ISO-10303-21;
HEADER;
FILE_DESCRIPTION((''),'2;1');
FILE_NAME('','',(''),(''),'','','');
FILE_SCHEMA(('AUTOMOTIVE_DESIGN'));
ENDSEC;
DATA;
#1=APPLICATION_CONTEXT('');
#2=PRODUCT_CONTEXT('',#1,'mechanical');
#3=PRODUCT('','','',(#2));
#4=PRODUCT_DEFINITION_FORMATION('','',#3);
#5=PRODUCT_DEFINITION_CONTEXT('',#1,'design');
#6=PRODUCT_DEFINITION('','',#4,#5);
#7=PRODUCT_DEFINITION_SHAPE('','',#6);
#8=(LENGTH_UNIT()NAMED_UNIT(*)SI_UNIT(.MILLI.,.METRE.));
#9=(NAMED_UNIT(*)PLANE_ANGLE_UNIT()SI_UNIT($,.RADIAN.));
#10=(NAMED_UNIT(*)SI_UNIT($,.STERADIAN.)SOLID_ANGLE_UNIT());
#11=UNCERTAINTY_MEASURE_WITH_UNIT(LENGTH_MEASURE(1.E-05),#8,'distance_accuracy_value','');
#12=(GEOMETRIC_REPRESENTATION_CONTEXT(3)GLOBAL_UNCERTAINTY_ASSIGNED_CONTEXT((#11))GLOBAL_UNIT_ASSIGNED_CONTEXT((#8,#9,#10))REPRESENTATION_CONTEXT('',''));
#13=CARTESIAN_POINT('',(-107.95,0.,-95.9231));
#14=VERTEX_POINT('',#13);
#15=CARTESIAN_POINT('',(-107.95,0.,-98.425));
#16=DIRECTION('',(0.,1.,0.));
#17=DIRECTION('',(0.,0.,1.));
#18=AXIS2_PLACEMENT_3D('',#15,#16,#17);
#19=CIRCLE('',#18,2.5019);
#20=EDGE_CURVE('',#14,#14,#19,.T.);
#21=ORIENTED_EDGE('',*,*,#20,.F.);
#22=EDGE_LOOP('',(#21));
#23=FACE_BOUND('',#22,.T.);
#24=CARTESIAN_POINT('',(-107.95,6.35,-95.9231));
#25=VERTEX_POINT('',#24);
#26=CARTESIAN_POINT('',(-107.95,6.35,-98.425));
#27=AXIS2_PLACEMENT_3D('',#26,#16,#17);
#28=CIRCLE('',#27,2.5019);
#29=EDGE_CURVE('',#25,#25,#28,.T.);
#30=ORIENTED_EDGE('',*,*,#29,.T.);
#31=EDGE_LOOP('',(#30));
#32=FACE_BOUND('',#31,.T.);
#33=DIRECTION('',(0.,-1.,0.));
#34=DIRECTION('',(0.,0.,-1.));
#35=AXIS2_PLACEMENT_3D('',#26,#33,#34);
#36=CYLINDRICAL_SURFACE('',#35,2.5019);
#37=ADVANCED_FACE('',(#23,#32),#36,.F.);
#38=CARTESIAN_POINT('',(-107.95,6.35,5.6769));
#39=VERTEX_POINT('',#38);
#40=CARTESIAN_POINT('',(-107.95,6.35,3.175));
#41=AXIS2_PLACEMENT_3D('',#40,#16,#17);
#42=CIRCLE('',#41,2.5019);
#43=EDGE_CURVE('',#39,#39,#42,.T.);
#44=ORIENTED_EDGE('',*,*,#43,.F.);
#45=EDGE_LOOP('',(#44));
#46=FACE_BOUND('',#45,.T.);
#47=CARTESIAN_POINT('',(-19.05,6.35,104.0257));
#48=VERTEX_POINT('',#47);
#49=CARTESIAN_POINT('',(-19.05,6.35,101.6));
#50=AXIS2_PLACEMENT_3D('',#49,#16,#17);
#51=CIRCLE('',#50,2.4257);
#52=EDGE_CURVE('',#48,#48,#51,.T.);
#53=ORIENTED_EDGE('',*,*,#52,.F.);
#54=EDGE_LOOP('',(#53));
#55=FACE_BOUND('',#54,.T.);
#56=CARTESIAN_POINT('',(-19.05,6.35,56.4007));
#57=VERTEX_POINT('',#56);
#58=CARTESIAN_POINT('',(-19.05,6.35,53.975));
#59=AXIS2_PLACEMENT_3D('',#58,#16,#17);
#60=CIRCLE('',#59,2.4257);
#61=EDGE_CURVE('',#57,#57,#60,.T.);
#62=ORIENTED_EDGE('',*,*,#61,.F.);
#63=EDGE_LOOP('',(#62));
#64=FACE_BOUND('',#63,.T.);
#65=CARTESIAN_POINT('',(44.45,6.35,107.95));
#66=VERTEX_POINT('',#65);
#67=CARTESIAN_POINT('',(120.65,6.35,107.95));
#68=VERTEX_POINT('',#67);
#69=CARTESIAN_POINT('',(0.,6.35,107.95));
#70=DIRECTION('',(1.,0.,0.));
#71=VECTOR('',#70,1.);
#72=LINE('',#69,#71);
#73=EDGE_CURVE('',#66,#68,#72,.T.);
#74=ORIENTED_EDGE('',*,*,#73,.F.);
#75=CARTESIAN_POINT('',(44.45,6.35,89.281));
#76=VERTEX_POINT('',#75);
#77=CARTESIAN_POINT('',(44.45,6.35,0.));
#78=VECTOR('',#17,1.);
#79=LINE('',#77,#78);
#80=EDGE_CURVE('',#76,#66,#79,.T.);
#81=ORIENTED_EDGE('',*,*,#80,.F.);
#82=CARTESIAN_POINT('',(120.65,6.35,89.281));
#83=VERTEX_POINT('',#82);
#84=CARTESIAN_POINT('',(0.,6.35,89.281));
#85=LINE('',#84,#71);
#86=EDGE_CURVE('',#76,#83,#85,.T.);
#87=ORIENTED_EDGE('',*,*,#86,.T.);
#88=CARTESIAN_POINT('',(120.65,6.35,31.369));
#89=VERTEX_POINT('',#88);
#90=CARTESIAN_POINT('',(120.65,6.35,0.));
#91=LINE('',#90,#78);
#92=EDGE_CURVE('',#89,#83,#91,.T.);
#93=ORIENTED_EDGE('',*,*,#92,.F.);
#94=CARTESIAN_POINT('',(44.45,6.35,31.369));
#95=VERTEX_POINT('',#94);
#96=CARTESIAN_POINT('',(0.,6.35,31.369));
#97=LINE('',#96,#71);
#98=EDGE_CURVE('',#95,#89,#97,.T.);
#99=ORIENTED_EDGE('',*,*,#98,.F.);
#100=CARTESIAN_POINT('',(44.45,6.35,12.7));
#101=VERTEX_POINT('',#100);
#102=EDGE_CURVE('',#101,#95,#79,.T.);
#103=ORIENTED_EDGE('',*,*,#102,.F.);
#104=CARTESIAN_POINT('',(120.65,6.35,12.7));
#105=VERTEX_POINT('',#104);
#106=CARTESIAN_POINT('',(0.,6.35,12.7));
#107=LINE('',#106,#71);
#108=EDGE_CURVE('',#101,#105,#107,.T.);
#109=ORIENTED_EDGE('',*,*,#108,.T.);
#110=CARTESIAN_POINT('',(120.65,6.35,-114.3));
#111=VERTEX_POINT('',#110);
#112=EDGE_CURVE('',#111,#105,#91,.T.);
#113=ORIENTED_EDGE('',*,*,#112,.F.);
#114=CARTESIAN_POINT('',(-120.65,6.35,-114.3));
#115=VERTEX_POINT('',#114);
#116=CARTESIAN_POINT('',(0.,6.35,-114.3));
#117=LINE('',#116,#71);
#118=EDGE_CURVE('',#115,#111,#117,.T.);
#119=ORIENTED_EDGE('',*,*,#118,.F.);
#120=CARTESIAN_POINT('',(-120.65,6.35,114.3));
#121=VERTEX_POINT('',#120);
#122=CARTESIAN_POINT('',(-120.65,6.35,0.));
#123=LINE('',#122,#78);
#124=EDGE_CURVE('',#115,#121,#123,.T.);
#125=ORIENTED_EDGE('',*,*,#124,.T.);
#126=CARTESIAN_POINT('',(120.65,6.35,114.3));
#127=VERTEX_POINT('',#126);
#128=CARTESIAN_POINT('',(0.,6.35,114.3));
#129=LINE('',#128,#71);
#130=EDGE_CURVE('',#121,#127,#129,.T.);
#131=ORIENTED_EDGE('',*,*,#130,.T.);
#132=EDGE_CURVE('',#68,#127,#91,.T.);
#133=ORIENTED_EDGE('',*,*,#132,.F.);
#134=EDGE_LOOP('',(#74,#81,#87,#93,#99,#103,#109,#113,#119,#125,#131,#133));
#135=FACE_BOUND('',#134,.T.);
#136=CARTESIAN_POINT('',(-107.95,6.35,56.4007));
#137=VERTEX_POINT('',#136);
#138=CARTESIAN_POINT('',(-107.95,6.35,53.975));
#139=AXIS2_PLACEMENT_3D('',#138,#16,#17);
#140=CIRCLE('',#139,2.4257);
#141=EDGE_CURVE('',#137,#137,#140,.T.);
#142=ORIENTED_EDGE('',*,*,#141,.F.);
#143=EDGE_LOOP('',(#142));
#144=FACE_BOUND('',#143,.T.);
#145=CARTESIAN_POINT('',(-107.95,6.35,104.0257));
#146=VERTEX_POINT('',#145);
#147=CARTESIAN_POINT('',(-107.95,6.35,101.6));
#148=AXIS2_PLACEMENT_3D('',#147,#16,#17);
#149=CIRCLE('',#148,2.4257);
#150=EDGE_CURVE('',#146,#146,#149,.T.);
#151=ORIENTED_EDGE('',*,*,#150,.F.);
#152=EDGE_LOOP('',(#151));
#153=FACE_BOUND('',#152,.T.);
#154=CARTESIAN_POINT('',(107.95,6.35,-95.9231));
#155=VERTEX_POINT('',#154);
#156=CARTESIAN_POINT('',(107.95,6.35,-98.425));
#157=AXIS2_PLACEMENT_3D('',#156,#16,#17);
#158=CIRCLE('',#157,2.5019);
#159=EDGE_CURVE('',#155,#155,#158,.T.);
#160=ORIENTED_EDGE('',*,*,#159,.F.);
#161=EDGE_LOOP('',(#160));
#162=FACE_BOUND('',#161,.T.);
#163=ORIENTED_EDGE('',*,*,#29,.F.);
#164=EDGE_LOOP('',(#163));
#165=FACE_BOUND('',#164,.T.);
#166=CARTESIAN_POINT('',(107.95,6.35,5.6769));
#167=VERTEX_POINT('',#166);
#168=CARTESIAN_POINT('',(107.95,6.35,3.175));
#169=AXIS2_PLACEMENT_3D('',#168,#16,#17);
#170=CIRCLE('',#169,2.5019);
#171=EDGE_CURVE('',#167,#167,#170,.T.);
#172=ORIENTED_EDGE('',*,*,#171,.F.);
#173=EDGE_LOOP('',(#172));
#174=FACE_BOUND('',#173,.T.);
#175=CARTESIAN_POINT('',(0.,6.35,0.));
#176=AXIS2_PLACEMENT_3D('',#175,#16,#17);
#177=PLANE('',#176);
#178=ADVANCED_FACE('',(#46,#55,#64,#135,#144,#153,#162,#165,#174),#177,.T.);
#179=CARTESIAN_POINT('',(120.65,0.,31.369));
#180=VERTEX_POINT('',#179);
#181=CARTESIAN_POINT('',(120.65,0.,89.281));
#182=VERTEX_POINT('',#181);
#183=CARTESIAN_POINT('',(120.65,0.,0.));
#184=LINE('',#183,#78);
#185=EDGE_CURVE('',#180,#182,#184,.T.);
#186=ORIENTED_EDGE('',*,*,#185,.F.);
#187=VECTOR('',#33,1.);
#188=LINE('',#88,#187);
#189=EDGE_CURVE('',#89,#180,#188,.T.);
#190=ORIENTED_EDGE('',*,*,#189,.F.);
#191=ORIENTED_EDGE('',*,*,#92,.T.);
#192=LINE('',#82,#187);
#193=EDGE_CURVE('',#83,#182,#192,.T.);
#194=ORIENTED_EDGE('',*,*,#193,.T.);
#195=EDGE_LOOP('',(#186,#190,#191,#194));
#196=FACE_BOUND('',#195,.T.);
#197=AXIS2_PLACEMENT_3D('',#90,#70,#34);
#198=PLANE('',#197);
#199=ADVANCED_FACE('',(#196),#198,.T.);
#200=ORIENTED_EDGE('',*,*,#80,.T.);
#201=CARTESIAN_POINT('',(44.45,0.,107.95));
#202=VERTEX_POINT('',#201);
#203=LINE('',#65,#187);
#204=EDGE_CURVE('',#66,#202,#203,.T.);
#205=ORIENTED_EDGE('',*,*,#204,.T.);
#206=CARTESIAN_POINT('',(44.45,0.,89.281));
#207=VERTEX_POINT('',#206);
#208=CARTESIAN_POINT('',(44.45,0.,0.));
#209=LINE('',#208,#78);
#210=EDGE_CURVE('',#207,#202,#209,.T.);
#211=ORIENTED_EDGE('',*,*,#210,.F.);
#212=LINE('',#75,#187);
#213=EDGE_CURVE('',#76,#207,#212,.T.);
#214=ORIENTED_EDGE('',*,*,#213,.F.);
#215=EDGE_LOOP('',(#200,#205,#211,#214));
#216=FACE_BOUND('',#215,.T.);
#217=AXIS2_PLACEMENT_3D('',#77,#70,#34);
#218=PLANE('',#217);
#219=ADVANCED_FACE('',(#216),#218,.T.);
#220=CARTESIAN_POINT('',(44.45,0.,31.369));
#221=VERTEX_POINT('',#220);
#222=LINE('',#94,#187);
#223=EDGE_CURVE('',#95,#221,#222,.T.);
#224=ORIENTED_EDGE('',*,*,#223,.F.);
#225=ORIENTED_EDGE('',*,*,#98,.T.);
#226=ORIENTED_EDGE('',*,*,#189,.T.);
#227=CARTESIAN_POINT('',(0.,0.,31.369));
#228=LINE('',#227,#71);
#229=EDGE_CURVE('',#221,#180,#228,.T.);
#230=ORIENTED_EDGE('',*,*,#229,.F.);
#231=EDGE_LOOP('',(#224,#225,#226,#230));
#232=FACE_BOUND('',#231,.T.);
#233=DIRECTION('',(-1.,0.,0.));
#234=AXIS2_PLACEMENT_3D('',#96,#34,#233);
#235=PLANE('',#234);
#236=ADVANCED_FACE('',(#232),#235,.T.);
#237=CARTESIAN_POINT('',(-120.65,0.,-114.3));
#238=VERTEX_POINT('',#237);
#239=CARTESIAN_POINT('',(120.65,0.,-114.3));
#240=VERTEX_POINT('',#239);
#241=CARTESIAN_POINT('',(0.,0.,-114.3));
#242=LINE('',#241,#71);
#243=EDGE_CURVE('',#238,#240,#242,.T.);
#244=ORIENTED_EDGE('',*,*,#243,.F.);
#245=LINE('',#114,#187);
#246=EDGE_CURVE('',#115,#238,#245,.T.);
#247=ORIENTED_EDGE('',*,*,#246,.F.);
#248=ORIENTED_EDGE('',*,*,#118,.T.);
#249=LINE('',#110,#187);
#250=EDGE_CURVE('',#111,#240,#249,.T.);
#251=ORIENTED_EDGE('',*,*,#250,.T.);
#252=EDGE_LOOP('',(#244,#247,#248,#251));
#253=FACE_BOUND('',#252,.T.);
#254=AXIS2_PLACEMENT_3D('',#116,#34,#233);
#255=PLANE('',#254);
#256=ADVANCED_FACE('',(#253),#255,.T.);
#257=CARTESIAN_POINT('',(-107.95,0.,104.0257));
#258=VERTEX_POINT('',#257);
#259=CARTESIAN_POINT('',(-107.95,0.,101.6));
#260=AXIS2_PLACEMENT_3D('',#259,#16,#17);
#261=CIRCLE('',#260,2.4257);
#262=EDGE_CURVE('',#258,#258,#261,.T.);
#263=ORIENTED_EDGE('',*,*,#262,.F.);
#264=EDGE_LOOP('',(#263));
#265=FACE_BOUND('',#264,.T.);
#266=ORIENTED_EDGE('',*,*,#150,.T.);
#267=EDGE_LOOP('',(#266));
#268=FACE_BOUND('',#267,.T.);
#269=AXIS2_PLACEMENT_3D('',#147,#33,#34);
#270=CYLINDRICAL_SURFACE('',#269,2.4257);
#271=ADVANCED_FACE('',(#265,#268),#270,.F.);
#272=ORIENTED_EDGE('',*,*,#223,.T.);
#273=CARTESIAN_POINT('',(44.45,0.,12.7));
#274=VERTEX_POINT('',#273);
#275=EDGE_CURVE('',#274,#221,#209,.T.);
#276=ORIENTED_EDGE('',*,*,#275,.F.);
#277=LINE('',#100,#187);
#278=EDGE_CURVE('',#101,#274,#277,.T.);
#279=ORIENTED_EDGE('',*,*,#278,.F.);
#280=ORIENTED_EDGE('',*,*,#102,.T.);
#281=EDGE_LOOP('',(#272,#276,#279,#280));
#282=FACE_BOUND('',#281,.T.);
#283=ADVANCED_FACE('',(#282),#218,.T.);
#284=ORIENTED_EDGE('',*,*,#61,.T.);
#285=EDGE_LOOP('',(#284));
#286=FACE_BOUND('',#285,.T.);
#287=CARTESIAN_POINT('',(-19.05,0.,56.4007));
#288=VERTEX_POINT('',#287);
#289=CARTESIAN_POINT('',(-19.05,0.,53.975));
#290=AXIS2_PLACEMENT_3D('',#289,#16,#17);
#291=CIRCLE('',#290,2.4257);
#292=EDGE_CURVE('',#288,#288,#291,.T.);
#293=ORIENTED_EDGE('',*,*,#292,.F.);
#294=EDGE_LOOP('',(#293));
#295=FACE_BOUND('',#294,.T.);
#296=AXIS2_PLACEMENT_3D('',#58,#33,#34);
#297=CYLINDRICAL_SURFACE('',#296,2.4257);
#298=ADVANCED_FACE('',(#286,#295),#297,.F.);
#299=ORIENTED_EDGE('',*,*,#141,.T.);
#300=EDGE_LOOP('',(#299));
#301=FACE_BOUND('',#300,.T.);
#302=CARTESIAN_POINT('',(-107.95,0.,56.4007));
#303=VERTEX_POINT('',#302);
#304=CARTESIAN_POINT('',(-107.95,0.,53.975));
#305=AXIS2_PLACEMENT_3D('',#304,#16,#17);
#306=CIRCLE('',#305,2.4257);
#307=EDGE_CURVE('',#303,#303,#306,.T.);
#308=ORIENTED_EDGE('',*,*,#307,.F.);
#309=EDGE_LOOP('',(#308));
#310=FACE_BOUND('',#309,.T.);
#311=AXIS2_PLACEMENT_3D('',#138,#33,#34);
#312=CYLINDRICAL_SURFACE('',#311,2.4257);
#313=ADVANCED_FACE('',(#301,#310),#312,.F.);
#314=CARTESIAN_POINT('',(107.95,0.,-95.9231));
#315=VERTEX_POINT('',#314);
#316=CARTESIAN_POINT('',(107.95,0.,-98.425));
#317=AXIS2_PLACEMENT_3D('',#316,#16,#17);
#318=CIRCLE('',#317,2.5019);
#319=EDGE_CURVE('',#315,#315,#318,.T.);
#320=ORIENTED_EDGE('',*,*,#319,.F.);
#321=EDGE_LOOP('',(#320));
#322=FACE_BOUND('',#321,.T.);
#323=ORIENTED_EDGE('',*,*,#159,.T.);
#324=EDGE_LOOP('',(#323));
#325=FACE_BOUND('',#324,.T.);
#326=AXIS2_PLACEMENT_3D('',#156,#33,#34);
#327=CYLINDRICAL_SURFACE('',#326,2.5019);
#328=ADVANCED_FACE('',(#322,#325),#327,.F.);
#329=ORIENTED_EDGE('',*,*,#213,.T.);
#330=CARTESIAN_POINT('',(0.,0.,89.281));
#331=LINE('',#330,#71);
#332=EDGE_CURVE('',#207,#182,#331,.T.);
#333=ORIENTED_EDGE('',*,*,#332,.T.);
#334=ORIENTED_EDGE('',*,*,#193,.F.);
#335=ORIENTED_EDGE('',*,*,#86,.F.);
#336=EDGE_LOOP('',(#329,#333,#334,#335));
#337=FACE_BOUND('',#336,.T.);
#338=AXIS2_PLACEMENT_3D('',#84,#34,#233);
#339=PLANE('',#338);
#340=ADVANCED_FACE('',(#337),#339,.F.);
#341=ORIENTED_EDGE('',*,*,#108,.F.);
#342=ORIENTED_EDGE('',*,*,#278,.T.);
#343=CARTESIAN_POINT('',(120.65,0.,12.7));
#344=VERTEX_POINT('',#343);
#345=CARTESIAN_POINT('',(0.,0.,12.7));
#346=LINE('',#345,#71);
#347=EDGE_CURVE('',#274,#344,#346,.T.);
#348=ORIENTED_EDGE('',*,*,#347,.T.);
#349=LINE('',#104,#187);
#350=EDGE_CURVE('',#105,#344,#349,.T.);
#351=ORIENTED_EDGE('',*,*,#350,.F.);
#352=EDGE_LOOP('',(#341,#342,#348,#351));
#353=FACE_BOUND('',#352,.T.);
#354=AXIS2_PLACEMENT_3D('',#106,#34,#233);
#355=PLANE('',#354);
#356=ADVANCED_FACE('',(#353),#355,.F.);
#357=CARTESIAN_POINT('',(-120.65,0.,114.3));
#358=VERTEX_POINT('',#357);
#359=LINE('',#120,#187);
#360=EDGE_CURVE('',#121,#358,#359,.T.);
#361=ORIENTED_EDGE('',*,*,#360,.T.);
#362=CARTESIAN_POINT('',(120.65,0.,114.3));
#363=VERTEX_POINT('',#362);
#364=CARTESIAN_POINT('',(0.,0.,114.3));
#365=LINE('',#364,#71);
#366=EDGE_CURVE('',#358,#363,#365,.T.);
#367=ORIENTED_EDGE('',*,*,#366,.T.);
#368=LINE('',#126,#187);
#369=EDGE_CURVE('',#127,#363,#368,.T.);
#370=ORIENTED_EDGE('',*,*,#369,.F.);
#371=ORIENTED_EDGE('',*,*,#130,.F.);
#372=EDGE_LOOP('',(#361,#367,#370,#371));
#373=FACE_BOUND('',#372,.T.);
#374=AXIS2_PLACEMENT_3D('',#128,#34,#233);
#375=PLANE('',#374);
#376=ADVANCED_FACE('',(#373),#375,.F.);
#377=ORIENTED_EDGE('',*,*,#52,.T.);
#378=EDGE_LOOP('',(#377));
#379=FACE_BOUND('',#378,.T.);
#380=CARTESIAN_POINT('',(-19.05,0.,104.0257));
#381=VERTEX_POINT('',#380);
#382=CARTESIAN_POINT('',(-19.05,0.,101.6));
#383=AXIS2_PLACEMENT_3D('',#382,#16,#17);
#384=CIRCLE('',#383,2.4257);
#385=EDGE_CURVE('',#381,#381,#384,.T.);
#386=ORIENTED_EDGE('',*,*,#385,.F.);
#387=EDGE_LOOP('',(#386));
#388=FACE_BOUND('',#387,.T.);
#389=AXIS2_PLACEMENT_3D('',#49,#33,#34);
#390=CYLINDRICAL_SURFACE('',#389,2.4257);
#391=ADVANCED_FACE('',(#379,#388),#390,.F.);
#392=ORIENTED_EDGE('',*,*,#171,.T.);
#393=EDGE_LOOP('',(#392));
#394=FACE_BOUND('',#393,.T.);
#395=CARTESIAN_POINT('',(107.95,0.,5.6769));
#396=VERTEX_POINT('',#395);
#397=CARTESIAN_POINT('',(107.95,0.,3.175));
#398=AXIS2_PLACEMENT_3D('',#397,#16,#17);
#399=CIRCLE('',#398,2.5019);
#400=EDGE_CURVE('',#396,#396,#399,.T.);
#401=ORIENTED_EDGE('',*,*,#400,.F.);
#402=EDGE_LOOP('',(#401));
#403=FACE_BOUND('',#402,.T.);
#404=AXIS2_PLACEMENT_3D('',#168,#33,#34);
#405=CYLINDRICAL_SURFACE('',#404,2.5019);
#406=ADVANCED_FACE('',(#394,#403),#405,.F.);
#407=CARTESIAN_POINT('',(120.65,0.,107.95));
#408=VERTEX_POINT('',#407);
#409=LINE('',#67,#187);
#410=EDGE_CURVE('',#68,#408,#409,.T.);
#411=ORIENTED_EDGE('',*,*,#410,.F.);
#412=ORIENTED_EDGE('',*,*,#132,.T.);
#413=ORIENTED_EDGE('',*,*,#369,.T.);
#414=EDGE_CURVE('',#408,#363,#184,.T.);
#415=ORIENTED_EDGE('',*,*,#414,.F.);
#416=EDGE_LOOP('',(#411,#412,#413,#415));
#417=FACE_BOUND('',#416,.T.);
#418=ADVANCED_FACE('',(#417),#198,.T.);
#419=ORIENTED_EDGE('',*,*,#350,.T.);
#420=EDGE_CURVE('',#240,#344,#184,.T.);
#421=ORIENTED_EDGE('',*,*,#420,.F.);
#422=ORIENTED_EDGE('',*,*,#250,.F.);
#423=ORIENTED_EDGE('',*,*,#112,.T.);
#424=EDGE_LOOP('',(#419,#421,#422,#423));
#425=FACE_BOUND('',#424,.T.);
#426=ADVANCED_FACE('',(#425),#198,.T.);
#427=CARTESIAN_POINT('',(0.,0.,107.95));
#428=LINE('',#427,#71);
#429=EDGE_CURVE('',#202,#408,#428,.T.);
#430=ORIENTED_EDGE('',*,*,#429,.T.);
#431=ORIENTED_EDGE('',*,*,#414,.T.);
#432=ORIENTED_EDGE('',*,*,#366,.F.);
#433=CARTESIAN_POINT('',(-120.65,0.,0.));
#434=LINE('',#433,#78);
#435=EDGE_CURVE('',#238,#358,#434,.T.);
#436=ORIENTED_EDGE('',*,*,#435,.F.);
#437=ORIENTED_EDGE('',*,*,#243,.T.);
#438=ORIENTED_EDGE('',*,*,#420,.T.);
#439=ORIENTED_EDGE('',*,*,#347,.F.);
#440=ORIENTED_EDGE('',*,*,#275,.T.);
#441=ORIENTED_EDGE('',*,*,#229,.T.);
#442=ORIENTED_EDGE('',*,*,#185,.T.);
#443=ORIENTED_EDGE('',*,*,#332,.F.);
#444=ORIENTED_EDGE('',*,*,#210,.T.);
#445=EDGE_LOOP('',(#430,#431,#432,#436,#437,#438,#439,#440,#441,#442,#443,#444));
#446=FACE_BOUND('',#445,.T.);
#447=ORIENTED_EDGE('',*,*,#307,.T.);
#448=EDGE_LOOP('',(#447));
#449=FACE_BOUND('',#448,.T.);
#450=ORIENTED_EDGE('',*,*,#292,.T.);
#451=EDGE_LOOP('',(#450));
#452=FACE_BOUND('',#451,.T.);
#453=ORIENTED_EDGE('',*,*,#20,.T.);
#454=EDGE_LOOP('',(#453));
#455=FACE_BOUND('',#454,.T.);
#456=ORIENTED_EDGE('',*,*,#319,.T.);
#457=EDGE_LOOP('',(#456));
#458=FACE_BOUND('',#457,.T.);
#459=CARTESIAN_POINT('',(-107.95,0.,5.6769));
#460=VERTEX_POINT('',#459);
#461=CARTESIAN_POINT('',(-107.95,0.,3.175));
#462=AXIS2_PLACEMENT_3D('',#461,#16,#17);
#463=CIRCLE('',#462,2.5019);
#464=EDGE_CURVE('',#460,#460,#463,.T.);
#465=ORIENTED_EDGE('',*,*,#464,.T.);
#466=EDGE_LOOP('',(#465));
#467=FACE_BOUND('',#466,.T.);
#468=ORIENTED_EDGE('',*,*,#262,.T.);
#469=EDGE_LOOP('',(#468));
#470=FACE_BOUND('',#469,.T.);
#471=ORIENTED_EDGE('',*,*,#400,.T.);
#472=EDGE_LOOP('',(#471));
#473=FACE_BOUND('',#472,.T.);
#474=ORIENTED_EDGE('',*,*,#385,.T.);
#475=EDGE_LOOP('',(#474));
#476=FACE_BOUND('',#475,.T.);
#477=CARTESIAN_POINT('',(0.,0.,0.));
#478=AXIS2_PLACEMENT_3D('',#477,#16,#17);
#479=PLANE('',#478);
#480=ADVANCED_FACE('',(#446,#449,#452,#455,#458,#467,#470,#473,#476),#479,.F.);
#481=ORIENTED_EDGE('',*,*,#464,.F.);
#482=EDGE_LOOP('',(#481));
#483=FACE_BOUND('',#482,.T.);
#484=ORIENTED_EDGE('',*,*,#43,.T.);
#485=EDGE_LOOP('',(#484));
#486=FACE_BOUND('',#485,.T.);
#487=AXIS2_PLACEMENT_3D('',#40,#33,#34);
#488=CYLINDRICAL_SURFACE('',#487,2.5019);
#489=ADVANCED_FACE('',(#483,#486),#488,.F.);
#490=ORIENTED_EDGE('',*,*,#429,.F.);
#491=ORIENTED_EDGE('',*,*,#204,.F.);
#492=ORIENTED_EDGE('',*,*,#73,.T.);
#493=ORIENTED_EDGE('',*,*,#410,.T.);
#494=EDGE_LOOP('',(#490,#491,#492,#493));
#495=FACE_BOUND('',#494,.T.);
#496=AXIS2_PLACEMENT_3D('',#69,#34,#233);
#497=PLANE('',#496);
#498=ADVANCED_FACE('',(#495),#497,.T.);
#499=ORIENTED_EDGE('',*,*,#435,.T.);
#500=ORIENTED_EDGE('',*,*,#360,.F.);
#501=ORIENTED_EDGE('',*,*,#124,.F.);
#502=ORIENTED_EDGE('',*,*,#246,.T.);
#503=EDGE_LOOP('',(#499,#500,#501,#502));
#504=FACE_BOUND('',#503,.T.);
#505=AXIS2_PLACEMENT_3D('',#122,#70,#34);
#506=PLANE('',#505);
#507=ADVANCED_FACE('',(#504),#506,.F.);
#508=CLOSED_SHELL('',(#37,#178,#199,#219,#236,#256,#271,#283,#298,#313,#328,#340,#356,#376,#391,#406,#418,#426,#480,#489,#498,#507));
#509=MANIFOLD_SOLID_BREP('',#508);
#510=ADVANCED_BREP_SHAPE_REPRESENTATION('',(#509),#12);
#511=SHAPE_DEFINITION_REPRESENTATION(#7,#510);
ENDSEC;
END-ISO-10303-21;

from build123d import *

# Parameters (mm, degrees)
SKETCH1_R           = 2.4257
SKETCH1_R_2         = 2.5019
BOSS_EXTRUDE1_DEPTH = 6.35


with BuildPart() as part:
    # Sketch1 → Boss-Extrude1 (new body)
    with BuildSketch(Plane(origin=(0, 0, 0), x_dir=(1, 0, 0), z_dir=(0, 1, 0))):
        Polygon((120.65, 114.3), (-120.65, 114.3), (-120.65, -114.3), (120.65, -114.3), (120.65, -107.95), (44.45, -107.95), (44.45, -89.281), (120.65, -89.281), (120.65, -31.369), (44.45, -31.369), (44.45, -12.7), (120.65, -12.7), align=None)
        with Locations(Location((-107.95, -101.6, 0), (0, 0, 270))):
            Circle(SKETCH1_R, mode=Mode.SUBTRACT)
        with Locations(Location((-19.05, -101.6, 0), (0, 0, 270))):
            Circle(SKETCH1_R, mode=Mode.SUBTRACT)
        with Locations(Location((-107.95, -53.975, 0), (0, 0, 270))):
            Circle(SKETCH1_R, mode=Mode.SUBTRACT)
        with Locations(Location((-107.95, -3.175, 0), (0, 0, 270))):
            Circle(SKETCH1_R_2, mode=Mode.SUBTRACT)
        with Locations(Location((-19.05, -53.975, 0), (0, 0, 270))):
            Circle(SKETCH1_R, mode=Mode.SUBTRACT)
        with Locations(Location((107.95, -3.175, 0), (0, 0, 270))):
            Circle(SKETCH1_R_2, mode=Mode.SUBTRACT)
        with Locations(Location((-107.95, 98.425, 0), (0, 0, 270))):
            Circle(SKETCH1_R_2, mode=Mode.SUBTRACT)
        with Locations(Location((107.95, 98.425, 0), (0, 0, 270))):
            Circle(SKETCH1_R_2, mode=Mode.SUBTRACT)
    extrude(amount=BOSS_EXTRUDE1_DEPTH)


solid = part.part
